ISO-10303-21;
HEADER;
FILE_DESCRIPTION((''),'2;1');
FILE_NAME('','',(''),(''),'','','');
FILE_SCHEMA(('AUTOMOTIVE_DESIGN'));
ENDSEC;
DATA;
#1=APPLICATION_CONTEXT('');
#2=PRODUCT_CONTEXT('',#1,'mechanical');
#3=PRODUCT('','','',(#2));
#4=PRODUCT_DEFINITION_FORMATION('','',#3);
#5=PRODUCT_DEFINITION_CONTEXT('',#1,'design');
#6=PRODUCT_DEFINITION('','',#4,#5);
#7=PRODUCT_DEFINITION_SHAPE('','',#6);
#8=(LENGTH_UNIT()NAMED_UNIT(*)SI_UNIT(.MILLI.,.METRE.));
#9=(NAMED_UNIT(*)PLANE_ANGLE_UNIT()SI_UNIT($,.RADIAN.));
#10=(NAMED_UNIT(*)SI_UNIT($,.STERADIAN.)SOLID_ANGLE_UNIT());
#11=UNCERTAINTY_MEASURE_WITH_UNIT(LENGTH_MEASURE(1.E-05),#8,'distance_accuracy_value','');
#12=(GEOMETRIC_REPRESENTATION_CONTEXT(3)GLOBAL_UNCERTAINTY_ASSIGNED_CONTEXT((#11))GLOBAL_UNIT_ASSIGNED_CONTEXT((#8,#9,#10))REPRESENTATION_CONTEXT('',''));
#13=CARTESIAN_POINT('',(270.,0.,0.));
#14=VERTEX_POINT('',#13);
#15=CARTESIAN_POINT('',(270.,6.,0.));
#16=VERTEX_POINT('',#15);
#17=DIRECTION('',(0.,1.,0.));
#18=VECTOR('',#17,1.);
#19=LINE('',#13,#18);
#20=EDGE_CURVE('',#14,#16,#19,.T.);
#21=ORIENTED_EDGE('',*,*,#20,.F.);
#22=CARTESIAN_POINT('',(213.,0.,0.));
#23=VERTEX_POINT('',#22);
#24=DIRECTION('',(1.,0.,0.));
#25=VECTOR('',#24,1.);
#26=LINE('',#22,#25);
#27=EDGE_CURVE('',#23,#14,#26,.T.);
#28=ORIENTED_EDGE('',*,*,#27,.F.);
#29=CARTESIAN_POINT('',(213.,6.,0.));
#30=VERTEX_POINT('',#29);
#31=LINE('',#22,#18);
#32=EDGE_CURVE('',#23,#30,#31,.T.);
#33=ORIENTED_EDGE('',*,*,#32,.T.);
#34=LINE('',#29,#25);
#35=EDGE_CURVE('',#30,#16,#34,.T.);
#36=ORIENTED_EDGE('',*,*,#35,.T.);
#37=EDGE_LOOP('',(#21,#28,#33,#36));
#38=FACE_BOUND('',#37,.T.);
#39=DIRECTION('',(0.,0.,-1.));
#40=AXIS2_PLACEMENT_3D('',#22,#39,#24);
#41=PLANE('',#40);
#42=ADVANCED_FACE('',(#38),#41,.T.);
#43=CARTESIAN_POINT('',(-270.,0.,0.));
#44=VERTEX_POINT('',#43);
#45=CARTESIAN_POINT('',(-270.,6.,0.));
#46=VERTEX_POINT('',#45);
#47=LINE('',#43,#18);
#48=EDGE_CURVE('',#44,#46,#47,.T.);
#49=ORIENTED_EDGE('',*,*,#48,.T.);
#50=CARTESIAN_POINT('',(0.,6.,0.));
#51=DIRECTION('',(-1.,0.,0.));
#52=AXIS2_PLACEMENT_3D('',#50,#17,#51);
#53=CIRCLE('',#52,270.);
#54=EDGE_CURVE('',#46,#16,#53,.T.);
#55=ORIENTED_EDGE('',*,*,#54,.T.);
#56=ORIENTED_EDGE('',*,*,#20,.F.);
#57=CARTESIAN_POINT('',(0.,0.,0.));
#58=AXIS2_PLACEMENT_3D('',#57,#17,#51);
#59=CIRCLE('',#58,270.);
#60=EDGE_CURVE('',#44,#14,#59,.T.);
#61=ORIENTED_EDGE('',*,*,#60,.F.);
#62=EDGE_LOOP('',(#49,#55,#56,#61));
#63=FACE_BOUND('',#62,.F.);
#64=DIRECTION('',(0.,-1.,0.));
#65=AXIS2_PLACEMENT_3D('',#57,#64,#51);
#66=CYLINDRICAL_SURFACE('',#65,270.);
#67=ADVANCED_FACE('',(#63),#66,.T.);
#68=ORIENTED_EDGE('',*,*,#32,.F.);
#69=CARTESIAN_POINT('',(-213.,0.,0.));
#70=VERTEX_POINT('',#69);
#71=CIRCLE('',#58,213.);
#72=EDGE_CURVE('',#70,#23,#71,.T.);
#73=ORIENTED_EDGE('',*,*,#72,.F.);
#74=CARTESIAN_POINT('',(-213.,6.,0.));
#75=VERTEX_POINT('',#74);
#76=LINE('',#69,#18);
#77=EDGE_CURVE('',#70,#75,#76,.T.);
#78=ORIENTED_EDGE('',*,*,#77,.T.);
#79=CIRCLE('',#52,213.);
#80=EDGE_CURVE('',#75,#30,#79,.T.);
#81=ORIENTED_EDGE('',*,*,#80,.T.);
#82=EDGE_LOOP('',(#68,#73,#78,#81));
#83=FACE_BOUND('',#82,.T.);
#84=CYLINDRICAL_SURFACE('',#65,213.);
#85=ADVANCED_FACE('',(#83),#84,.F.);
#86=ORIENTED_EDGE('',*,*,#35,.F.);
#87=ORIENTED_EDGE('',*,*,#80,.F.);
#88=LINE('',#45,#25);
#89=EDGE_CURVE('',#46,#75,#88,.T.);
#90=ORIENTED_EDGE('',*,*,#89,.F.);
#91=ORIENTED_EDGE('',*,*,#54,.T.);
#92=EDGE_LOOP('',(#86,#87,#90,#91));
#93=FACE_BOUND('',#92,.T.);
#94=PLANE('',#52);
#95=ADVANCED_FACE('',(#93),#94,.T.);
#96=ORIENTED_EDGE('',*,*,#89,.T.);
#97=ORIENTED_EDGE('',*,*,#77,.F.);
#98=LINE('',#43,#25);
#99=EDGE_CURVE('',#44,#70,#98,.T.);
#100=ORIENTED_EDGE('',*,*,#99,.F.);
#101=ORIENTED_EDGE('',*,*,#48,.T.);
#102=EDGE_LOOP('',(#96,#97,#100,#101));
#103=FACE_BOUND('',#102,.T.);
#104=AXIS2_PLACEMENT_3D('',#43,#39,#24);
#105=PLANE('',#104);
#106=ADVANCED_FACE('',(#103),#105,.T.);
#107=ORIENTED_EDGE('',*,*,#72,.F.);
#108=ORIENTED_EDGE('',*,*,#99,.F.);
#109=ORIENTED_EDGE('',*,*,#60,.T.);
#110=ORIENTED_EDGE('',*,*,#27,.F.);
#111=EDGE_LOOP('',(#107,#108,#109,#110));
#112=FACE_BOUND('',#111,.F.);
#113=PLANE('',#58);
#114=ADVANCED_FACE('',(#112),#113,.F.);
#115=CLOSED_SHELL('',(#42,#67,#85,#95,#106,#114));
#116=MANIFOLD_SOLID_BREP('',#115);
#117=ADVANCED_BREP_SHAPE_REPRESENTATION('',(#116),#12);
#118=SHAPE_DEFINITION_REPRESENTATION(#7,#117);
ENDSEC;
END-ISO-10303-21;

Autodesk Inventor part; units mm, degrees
ref_plane "YZ Plane" through (0, 0, 0) normal (1, 0, 0) x (0, 1, 0)
ref_plane "XZ Plane" through (0, 0, 0) normal (0, 1, 0) x (-1, 0, 0)
ref_plane "XY Plane" through (0, 0, 0) normal (0, 0, 1) x (1, 0, 0)
sketch "Sketch1" plane through (0, 0, 0) normal (0, 1, 0) x (-1, 0, 0)
  circle A0 centre (0, 0) radius 213
  circle A1 centre (0, 0) radius 270
  line L0 (270, 0) -> (213, 0)
  line L1 (-213, 0) -> (-270, 0)
  point P0 (241.5, 0)
  point P1 (-241.5, 0)
  dimension "d0" = 426
  dimension "d1" = 540
extrude "Extrusion1" add sketch "Sketch1" along normal blind 6 contours A0 L1 A1 L0 picked at (-3.3783, 250.7574)
equation "\"d1\" = Внеш_диам_заглушки_ревиз_окна"
equation "\"BendRadius\" = Thickness"
equation "\"BendReliefWidth\" = Thickness"
equation "\"BendReliefDepth\" = 0.5 * Thickness"
equation "\"CornerReliefSize\" = 4 * Thickness"
equation "\"MinimumRemnant\" = 2 * Thickness"
equation "\"TransitionRadius\" = BendRadius"
equation "\"JacobiRadiusSize\" = BendRadius"
equation "\"GapSize\" = Thickness"
equation "\"Внеш_диам_заглушки_ревиз_окна\" = 540"
equation "\"Thickness\" = 6"
properties part number "Кольцо заглушки ревиз. окна фильтра D1200"
